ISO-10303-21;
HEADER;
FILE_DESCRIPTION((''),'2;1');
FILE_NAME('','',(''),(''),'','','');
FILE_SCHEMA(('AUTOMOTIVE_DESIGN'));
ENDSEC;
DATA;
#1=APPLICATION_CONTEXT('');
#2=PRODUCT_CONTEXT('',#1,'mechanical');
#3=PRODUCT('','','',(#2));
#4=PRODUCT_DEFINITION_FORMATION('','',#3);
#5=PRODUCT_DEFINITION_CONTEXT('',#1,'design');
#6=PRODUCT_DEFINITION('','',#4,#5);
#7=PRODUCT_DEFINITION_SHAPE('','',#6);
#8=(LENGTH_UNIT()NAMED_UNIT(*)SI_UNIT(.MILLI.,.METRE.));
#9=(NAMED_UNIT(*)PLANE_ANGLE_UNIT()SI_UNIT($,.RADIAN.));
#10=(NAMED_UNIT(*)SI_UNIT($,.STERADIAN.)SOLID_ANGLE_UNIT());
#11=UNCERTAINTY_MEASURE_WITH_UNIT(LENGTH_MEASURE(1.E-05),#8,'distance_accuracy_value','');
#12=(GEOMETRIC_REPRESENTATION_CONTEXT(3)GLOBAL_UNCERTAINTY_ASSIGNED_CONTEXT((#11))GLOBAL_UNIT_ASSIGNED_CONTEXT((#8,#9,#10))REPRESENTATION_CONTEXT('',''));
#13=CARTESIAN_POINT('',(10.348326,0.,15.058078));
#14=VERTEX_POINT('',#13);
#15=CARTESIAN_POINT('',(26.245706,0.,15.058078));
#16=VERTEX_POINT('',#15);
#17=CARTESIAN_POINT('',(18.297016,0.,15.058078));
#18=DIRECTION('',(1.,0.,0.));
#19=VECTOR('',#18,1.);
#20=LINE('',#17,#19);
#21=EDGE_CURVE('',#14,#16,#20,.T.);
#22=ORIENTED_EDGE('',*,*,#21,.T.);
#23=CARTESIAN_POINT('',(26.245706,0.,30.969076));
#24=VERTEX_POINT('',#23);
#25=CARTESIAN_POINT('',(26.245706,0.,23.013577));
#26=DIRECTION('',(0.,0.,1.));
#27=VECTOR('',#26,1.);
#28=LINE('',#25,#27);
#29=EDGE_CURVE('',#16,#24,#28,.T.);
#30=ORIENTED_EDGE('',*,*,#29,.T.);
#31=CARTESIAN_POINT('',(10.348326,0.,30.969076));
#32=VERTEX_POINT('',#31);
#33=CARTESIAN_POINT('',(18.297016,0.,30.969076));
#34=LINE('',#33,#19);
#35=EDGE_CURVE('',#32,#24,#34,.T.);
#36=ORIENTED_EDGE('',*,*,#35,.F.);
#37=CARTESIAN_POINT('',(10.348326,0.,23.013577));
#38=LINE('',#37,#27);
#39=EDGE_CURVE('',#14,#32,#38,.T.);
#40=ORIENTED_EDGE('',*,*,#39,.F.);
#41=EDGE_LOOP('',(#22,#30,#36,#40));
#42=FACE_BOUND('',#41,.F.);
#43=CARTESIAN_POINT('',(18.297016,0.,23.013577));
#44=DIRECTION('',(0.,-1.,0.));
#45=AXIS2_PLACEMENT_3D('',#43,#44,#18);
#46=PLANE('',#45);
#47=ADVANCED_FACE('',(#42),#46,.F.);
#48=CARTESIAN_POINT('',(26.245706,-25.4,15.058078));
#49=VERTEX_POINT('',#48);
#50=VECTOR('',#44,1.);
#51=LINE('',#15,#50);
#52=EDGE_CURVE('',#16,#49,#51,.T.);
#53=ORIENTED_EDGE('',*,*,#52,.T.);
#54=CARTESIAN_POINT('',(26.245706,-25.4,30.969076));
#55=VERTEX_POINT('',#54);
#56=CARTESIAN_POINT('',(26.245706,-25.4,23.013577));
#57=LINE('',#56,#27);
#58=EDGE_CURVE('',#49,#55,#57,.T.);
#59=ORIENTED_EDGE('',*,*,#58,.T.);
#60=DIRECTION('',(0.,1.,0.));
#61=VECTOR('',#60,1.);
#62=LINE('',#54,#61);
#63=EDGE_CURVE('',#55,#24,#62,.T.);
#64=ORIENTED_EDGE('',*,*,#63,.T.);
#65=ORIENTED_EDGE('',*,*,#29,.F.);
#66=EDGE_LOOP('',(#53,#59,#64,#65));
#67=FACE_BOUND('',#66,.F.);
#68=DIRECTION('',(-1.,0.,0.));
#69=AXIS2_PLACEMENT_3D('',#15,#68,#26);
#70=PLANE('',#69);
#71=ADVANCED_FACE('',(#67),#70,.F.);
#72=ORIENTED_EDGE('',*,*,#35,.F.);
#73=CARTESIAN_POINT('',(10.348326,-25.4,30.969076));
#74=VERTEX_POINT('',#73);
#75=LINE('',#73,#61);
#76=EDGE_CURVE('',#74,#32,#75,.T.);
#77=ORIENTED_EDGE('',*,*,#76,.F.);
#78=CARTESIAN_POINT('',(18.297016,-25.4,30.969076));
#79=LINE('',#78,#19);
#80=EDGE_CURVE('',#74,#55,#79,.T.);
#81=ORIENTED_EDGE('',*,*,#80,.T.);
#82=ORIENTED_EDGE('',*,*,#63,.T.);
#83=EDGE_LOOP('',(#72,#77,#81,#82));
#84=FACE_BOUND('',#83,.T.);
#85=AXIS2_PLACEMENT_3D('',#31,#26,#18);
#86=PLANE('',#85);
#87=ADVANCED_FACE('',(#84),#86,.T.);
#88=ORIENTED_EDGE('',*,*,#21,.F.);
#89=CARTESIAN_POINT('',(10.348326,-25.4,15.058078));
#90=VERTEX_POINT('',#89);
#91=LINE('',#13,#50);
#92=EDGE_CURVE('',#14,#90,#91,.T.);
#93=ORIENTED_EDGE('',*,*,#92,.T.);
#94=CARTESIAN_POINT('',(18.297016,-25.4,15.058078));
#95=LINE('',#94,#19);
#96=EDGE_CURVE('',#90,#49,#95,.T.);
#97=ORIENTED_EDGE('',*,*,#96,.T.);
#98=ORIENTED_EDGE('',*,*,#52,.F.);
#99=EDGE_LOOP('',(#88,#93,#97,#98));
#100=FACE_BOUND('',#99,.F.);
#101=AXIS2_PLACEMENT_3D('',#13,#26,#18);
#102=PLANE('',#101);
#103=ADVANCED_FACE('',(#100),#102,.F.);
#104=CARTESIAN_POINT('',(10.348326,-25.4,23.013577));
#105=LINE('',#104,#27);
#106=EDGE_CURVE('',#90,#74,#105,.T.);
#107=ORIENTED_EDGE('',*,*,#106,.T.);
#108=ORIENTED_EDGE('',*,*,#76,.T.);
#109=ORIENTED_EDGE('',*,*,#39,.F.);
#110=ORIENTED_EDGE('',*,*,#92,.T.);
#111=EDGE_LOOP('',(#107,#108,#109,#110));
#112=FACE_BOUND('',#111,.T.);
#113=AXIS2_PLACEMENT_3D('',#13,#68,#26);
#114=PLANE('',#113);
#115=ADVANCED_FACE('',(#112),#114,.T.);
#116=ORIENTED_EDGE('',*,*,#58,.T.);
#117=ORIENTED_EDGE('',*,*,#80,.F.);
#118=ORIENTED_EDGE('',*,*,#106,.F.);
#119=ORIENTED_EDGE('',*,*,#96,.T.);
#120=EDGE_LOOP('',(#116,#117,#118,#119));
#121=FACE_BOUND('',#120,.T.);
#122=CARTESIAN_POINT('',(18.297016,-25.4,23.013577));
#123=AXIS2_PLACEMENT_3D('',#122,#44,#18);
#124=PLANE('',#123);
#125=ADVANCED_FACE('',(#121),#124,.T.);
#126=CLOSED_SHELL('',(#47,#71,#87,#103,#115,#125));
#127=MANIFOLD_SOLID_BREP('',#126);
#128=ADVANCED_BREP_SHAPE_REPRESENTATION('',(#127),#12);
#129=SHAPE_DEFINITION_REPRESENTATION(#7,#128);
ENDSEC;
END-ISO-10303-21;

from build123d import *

# Parameters (mm, degrees)
F0_W     = 15.89738
F0_H     = 15.910998
F1_DEPTH = 4.798125
F2_DEPTH = 25.4


with BuildPart() as f1:
    # F0 (on Front) → F1 (new body)
    with BuildSketch(Plane.XZ):
        with Locations((18.297016, 23.013577)):
            Rectangle(F0_W, F0_H)
    extrude(amount=F1_DEPTH)

    # F0 (on Front) → F2 (join)
    with BuildSketch(Plane.XZ):
        with Locations((18.297016, 23.013577)):
            Rectangle(F0_W, F0_H)
    extrude(amount=F2_DEPTH)


solid = f1.part
